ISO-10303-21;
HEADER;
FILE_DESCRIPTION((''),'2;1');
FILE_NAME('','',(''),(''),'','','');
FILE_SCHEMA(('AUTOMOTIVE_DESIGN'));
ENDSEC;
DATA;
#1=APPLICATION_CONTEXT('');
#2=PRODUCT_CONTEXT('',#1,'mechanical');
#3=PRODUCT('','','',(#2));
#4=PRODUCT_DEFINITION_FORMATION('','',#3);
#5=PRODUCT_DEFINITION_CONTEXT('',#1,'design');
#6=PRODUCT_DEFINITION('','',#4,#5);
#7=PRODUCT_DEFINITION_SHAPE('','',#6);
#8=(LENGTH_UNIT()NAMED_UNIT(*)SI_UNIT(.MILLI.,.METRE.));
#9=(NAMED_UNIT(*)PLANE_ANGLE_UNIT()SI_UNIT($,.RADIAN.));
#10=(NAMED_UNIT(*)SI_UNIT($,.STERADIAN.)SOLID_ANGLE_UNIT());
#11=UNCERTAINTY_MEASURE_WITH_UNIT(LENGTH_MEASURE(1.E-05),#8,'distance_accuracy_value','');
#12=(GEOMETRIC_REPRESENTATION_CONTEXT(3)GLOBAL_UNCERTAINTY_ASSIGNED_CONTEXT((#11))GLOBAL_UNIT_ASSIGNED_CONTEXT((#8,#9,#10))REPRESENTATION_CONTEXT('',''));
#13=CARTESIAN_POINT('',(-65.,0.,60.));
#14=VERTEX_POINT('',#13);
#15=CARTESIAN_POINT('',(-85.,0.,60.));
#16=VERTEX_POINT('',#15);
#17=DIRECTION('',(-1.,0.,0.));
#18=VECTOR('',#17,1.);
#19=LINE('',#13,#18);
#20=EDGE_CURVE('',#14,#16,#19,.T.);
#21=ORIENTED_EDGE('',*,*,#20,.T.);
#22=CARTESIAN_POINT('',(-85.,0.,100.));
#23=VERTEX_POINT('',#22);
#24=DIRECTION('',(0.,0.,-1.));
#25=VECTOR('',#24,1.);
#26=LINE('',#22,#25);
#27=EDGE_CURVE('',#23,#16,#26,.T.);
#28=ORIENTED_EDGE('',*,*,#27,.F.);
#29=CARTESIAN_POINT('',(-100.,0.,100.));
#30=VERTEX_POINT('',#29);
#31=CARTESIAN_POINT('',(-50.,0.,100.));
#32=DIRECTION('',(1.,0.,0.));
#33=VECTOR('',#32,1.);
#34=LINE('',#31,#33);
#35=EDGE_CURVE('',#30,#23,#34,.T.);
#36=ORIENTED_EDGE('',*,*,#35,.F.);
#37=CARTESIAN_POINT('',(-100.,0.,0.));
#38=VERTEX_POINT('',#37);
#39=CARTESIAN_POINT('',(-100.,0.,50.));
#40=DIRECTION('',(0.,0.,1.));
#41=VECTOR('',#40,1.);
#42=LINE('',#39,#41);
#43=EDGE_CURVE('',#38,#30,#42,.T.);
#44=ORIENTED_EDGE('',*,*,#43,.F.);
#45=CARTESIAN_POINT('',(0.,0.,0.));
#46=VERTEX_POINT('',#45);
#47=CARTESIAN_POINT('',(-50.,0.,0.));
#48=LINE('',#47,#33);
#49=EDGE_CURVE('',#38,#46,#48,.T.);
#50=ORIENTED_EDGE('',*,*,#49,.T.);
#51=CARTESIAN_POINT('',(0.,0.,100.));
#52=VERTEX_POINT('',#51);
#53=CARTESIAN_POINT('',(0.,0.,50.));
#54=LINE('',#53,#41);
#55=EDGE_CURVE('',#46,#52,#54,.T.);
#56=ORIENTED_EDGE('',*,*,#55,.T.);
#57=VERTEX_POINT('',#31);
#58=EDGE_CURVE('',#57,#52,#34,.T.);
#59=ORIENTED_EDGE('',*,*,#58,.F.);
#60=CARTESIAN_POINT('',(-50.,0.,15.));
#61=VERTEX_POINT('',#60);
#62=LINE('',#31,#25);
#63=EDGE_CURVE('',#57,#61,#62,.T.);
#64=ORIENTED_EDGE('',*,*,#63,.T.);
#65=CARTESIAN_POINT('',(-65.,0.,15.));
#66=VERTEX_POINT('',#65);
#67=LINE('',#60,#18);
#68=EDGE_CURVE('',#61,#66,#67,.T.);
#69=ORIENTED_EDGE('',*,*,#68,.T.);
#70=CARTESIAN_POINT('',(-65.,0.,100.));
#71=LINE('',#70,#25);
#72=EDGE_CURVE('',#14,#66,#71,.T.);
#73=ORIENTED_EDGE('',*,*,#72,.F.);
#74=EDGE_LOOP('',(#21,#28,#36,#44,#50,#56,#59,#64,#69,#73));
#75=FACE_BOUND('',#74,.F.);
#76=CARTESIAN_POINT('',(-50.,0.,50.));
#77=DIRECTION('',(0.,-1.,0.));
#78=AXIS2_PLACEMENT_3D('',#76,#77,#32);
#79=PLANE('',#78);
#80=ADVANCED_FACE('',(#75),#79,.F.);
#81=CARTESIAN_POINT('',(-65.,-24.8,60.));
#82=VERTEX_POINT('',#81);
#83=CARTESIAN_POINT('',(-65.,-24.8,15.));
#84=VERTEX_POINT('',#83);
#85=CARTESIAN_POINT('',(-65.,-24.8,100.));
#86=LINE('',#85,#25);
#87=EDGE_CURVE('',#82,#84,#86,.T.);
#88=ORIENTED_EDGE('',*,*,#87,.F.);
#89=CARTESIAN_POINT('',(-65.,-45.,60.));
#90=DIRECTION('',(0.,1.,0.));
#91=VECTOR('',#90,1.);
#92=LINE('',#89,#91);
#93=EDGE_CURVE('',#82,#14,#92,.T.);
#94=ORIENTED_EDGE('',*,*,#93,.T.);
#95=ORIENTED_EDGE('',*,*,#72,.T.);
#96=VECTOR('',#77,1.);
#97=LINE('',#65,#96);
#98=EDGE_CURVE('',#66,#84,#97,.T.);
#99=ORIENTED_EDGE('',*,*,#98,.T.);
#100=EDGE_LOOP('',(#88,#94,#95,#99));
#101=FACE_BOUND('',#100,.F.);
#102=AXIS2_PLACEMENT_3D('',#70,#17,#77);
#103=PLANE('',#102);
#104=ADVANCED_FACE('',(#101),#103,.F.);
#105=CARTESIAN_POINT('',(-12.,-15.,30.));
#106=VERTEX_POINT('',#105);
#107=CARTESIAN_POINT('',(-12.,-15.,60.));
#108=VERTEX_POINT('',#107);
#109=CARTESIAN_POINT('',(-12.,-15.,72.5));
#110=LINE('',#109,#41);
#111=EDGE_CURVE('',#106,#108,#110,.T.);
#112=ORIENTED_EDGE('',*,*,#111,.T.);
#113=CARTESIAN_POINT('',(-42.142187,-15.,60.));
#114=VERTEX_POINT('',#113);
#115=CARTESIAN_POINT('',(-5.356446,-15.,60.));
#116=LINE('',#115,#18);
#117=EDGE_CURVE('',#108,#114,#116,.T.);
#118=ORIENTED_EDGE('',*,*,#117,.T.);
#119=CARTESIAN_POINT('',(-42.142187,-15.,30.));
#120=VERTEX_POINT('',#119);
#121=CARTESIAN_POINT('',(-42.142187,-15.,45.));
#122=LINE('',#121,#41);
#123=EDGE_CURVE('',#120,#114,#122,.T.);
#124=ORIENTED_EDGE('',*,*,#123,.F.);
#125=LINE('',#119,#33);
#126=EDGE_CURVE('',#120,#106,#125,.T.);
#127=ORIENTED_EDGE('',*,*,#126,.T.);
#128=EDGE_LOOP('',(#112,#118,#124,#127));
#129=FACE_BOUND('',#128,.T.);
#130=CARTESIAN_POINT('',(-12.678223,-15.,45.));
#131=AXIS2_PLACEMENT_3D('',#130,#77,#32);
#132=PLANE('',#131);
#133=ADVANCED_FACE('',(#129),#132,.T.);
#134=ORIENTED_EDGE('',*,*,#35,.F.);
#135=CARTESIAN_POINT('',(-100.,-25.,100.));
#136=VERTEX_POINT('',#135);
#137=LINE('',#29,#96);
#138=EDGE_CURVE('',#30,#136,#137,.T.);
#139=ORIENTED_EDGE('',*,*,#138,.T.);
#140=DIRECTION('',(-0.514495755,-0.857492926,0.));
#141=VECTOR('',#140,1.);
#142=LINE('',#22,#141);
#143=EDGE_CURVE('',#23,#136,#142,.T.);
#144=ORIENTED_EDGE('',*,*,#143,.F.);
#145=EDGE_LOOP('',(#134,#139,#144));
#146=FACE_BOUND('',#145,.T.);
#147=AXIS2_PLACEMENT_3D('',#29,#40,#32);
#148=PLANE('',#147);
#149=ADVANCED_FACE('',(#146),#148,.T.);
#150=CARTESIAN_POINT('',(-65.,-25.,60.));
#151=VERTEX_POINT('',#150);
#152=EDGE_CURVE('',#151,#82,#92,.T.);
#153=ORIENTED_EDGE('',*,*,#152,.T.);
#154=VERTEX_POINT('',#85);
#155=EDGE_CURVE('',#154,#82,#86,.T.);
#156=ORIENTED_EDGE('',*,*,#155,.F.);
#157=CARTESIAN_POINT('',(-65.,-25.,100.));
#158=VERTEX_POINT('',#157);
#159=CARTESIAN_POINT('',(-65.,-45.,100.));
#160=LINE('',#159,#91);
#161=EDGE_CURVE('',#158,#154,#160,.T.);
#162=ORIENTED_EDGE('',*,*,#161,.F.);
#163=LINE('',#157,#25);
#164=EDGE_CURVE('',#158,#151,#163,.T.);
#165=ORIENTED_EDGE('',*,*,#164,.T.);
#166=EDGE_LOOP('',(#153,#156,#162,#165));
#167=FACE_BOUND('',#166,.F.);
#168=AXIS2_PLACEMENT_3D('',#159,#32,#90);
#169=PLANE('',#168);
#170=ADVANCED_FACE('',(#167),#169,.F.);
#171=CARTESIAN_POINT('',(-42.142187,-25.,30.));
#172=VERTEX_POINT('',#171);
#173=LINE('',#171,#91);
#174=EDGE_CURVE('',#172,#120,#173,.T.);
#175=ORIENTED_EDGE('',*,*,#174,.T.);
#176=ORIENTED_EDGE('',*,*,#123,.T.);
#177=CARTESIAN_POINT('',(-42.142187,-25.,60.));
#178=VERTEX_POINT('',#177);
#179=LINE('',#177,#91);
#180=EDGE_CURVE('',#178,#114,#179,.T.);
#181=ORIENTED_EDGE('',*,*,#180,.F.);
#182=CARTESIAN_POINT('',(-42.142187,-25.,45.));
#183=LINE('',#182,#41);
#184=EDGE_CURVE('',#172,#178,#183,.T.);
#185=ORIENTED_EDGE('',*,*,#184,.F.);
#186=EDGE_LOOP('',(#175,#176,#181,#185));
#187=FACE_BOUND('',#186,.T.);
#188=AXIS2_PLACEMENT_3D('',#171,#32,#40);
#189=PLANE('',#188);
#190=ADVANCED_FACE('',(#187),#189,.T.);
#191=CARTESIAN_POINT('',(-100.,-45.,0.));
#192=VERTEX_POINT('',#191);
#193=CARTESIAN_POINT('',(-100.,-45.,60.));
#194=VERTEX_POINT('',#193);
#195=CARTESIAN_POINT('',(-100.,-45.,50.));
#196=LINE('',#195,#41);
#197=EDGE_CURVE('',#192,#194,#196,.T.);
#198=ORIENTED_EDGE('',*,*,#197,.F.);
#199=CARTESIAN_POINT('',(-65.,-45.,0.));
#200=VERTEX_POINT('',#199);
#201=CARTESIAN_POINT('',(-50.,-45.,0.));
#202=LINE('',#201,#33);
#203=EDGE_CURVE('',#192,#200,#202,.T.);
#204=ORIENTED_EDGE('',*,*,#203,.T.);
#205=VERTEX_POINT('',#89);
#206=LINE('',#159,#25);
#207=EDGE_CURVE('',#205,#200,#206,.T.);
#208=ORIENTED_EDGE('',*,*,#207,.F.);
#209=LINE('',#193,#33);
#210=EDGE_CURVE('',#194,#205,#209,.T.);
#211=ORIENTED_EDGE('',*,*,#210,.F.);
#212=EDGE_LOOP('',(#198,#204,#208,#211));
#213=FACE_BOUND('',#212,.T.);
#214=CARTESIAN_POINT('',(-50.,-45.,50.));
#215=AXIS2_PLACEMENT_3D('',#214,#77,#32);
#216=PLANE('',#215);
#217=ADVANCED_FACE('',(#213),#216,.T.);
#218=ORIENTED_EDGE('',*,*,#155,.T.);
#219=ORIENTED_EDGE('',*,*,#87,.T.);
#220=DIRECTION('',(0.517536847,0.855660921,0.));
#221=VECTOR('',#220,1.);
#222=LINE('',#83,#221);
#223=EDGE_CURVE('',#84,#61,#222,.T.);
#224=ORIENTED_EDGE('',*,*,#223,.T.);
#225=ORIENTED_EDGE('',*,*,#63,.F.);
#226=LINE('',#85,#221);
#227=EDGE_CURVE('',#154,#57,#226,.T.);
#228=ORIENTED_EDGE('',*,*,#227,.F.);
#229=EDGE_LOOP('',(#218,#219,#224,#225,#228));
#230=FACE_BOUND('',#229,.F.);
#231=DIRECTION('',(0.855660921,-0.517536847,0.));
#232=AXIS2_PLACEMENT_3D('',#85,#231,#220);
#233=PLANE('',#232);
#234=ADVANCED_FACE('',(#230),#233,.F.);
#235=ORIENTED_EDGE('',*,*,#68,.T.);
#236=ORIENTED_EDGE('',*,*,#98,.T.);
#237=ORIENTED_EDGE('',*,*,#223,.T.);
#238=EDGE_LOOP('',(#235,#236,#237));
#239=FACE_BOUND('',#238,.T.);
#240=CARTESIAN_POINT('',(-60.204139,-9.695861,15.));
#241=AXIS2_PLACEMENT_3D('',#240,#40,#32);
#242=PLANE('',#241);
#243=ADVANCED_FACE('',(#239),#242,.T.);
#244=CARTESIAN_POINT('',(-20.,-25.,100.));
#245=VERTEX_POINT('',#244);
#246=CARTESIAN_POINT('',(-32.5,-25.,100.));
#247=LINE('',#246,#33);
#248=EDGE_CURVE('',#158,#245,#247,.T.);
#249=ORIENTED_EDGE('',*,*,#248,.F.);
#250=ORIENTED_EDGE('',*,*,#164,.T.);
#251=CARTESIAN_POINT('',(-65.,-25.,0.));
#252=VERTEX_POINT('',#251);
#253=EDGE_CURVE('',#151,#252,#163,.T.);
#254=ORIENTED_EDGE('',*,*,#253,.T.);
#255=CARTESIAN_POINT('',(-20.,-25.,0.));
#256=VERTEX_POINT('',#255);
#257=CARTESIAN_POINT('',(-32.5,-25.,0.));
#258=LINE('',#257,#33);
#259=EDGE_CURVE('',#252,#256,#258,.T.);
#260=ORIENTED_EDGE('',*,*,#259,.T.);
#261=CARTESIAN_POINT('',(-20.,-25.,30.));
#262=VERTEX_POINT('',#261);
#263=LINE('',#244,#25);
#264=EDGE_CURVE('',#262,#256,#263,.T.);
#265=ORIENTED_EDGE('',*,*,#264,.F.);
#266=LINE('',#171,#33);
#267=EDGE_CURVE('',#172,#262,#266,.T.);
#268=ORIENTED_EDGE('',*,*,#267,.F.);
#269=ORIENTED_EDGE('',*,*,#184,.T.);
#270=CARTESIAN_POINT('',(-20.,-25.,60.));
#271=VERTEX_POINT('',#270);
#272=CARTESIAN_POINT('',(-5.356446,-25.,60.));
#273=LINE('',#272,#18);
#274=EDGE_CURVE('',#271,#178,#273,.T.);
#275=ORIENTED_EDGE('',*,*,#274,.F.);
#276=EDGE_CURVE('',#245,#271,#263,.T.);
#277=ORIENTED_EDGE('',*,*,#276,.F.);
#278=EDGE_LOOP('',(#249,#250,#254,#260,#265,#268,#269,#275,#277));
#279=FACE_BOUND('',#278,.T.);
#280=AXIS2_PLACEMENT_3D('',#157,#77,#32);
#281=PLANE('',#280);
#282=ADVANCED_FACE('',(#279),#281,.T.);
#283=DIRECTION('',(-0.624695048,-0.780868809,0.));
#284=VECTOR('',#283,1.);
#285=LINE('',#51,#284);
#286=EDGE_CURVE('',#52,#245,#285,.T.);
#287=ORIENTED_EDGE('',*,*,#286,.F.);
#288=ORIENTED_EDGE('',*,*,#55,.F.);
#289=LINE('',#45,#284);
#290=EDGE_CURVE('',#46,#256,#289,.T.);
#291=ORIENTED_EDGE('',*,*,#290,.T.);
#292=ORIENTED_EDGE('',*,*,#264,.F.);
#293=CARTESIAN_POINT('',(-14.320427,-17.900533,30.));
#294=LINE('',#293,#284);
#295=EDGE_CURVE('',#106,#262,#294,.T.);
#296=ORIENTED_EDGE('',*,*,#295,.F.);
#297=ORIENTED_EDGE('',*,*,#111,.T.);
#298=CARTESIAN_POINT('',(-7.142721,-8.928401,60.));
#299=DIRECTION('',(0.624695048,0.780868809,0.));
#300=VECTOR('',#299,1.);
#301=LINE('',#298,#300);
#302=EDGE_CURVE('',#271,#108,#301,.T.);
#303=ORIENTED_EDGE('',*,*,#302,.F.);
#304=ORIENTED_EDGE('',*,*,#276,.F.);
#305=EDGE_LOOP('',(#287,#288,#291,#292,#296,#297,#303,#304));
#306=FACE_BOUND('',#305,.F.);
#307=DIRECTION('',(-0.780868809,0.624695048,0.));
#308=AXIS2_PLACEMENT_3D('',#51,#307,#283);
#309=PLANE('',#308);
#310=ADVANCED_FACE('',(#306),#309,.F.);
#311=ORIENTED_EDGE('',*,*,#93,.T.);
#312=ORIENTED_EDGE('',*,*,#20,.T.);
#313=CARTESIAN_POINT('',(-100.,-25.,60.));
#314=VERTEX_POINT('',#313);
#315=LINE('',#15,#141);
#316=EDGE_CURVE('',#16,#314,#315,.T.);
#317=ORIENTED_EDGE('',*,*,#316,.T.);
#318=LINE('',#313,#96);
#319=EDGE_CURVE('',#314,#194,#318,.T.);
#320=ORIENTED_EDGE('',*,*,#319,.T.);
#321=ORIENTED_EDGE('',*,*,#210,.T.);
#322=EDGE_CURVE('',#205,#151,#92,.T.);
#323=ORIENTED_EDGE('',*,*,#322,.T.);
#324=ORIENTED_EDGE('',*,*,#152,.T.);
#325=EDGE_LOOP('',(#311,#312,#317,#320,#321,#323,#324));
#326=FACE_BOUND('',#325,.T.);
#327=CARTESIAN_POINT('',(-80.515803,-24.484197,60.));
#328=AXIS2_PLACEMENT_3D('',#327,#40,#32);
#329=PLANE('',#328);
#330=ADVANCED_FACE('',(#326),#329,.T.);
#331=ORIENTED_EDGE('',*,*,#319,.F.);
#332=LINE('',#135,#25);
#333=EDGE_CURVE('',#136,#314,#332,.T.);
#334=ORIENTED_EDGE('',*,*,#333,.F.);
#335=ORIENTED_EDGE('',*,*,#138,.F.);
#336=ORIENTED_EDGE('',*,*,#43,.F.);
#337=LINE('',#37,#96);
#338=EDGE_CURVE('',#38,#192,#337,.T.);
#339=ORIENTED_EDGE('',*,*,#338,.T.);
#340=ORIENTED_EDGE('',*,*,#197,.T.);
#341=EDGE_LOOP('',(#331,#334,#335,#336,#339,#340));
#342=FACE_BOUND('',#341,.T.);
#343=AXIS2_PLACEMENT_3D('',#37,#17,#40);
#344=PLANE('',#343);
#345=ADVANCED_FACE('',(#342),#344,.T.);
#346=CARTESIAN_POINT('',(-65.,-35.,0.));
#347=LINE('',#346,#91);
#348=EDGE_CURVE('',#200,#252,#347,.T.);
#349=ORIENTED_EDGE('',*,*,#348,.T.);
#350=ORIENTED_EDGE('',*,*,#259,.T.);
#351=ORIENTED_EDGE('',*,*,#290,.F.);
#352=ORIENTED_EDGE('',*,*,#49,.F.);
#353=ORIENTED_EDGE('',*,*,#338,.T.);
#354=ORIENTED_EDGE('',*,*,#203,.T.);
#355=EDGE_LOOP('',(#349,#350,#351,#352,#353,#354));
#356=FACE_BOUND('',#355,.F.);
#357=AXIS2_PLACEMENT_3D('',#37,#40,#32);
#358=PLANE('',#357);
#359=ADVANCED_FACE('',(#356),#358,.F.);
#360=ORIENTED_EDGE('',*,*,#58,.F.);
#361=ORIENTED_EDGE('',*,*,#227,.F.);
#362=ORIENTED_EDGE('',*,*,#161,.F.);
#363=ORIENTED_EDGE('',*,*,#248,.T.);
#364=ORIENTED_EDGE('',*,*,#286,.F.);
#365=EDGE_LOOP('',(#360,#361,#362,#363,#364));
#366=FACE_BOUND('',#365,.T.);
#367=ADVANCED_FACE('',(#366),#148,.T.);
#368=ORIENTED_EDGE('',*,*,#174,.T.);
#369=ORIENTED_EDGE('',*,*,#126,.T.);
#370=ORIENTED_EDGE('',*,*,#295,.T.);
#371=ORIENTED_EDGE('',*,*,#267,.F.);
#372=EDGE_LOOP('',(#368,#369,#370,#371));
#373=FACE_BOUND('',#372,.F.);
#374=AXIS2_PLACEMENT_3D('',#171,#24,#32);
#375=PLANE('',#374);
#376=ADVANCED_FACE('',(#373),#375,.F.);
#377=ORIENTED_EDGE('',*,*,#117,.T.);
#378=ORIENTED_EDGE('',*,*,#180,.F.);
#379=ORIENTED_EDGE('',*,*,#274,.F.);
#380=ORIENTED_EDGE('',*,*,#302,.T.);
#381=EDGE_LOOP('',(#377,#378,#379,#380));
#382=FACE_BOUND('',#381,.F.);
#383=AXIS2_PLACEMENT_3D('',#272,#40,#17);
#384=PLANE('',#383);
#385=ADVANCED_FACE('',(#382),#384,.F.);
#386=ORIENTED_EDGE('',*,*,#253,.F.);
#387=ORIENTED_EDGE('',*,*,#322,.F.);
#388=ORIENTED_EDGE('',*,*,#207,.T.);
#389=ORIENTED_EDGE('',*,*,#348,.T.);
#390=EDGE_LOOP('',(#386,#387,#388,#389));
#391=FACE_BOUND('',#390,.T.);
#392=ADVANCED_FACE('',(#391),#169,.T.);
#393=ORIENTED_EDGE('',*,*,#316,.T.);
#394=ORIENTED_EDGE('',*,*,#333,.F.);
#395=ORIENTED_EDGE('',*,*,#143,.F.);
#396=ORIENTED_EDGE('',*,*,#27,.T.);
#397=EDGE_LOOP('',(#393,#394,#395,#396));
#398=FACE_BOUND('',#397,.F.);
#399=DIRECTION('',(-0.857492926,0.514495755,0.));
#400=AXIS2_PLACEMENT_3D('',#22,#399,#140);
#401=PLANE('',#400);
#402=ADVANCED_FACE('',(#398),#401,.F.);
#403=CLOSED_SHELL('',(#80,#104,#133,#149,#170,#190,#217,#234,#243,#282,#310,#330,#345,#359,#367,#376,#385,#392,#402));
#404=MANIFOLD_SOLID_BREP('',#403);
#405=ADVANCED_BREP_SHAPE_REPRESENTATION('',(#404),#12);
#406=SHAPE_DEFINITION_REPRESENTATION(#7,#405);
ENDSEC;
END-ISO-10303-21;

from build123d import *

# Parameters (mm, degrees)
F0_W      = 100
F0_H      = 100
F1_DEPTH  = 45
F2_W      = 65
F2_H      = 20
F3_DEPTH  = 100
F5_DEPTH  = 100
F7_DEPTH  = 40
F10_DEPTH = 85
F11_W     = 14.643555
F11_H     = 30
F11_W_2   = 22.142187
F12_DEPTH = 10


with BuildPart() as f1:
    # F0 (on Front) → F1 (new body)
    with BuildSketch(Plane.XZ):
        with Locations((-50, 50)):
            Rectangle(F0_W, F0_H)
    extrude(amount=F1_DEPTH)

    # F2 (on face) → F3 (cut, through all)
    with BuildSketch(Plane.XY.offset(100)):
        with Locations((-32.5, -35)):
            Rectangle(F2_W, F2_H)
    extrude(amount=-F3_DEPTH, mode=Mode.SUBTRACT)

    # F4 (on face) → F5 (cut, through all)
    with BuildSketch(Plane.XY.offset(100)):
        Polygon((0, -25), (0, 0), (-20, -25), align=None)
    extrude(amount=-F5_DEPTH, mode=Mode.SUBTRACT)

    # F2 (on face) → F7 (cut, through all)
    with BuildSketch(Plane.XY.offset(100)):
        Polygon((-65, 0), (-85, 0), (-100, -25), (-100, -45), (-65, -45), (-65, -25), align=None)
    extrude(amount=-F7_DEPTH, mode=Mode.SUBTRACT)

    # F8 (on face) → F10 (cut, through all)
    with BuildSketch(Plane.XY.offset(100)):
        Polygon((-50, 0), (-65, 0), (-65, -24.8), align=None)
    extrude(amount=-F10_DEPTH, mode=Mode.SUBTRACT)

    # F11 (on face) → F12 (cut)
    with BuildSketch(Plane.XZ.offset(25)):
        with Locations((-12.678223, 45)):
            Rectangle(F11_W, F11_H)
        with Locations((-31.071093, 45)):
            Rectangle(F11_W_2, F11_H)
    extrude(amount=-F12_DEPTH, mode=Mode.SUBTRACT)


solid = f1.part
